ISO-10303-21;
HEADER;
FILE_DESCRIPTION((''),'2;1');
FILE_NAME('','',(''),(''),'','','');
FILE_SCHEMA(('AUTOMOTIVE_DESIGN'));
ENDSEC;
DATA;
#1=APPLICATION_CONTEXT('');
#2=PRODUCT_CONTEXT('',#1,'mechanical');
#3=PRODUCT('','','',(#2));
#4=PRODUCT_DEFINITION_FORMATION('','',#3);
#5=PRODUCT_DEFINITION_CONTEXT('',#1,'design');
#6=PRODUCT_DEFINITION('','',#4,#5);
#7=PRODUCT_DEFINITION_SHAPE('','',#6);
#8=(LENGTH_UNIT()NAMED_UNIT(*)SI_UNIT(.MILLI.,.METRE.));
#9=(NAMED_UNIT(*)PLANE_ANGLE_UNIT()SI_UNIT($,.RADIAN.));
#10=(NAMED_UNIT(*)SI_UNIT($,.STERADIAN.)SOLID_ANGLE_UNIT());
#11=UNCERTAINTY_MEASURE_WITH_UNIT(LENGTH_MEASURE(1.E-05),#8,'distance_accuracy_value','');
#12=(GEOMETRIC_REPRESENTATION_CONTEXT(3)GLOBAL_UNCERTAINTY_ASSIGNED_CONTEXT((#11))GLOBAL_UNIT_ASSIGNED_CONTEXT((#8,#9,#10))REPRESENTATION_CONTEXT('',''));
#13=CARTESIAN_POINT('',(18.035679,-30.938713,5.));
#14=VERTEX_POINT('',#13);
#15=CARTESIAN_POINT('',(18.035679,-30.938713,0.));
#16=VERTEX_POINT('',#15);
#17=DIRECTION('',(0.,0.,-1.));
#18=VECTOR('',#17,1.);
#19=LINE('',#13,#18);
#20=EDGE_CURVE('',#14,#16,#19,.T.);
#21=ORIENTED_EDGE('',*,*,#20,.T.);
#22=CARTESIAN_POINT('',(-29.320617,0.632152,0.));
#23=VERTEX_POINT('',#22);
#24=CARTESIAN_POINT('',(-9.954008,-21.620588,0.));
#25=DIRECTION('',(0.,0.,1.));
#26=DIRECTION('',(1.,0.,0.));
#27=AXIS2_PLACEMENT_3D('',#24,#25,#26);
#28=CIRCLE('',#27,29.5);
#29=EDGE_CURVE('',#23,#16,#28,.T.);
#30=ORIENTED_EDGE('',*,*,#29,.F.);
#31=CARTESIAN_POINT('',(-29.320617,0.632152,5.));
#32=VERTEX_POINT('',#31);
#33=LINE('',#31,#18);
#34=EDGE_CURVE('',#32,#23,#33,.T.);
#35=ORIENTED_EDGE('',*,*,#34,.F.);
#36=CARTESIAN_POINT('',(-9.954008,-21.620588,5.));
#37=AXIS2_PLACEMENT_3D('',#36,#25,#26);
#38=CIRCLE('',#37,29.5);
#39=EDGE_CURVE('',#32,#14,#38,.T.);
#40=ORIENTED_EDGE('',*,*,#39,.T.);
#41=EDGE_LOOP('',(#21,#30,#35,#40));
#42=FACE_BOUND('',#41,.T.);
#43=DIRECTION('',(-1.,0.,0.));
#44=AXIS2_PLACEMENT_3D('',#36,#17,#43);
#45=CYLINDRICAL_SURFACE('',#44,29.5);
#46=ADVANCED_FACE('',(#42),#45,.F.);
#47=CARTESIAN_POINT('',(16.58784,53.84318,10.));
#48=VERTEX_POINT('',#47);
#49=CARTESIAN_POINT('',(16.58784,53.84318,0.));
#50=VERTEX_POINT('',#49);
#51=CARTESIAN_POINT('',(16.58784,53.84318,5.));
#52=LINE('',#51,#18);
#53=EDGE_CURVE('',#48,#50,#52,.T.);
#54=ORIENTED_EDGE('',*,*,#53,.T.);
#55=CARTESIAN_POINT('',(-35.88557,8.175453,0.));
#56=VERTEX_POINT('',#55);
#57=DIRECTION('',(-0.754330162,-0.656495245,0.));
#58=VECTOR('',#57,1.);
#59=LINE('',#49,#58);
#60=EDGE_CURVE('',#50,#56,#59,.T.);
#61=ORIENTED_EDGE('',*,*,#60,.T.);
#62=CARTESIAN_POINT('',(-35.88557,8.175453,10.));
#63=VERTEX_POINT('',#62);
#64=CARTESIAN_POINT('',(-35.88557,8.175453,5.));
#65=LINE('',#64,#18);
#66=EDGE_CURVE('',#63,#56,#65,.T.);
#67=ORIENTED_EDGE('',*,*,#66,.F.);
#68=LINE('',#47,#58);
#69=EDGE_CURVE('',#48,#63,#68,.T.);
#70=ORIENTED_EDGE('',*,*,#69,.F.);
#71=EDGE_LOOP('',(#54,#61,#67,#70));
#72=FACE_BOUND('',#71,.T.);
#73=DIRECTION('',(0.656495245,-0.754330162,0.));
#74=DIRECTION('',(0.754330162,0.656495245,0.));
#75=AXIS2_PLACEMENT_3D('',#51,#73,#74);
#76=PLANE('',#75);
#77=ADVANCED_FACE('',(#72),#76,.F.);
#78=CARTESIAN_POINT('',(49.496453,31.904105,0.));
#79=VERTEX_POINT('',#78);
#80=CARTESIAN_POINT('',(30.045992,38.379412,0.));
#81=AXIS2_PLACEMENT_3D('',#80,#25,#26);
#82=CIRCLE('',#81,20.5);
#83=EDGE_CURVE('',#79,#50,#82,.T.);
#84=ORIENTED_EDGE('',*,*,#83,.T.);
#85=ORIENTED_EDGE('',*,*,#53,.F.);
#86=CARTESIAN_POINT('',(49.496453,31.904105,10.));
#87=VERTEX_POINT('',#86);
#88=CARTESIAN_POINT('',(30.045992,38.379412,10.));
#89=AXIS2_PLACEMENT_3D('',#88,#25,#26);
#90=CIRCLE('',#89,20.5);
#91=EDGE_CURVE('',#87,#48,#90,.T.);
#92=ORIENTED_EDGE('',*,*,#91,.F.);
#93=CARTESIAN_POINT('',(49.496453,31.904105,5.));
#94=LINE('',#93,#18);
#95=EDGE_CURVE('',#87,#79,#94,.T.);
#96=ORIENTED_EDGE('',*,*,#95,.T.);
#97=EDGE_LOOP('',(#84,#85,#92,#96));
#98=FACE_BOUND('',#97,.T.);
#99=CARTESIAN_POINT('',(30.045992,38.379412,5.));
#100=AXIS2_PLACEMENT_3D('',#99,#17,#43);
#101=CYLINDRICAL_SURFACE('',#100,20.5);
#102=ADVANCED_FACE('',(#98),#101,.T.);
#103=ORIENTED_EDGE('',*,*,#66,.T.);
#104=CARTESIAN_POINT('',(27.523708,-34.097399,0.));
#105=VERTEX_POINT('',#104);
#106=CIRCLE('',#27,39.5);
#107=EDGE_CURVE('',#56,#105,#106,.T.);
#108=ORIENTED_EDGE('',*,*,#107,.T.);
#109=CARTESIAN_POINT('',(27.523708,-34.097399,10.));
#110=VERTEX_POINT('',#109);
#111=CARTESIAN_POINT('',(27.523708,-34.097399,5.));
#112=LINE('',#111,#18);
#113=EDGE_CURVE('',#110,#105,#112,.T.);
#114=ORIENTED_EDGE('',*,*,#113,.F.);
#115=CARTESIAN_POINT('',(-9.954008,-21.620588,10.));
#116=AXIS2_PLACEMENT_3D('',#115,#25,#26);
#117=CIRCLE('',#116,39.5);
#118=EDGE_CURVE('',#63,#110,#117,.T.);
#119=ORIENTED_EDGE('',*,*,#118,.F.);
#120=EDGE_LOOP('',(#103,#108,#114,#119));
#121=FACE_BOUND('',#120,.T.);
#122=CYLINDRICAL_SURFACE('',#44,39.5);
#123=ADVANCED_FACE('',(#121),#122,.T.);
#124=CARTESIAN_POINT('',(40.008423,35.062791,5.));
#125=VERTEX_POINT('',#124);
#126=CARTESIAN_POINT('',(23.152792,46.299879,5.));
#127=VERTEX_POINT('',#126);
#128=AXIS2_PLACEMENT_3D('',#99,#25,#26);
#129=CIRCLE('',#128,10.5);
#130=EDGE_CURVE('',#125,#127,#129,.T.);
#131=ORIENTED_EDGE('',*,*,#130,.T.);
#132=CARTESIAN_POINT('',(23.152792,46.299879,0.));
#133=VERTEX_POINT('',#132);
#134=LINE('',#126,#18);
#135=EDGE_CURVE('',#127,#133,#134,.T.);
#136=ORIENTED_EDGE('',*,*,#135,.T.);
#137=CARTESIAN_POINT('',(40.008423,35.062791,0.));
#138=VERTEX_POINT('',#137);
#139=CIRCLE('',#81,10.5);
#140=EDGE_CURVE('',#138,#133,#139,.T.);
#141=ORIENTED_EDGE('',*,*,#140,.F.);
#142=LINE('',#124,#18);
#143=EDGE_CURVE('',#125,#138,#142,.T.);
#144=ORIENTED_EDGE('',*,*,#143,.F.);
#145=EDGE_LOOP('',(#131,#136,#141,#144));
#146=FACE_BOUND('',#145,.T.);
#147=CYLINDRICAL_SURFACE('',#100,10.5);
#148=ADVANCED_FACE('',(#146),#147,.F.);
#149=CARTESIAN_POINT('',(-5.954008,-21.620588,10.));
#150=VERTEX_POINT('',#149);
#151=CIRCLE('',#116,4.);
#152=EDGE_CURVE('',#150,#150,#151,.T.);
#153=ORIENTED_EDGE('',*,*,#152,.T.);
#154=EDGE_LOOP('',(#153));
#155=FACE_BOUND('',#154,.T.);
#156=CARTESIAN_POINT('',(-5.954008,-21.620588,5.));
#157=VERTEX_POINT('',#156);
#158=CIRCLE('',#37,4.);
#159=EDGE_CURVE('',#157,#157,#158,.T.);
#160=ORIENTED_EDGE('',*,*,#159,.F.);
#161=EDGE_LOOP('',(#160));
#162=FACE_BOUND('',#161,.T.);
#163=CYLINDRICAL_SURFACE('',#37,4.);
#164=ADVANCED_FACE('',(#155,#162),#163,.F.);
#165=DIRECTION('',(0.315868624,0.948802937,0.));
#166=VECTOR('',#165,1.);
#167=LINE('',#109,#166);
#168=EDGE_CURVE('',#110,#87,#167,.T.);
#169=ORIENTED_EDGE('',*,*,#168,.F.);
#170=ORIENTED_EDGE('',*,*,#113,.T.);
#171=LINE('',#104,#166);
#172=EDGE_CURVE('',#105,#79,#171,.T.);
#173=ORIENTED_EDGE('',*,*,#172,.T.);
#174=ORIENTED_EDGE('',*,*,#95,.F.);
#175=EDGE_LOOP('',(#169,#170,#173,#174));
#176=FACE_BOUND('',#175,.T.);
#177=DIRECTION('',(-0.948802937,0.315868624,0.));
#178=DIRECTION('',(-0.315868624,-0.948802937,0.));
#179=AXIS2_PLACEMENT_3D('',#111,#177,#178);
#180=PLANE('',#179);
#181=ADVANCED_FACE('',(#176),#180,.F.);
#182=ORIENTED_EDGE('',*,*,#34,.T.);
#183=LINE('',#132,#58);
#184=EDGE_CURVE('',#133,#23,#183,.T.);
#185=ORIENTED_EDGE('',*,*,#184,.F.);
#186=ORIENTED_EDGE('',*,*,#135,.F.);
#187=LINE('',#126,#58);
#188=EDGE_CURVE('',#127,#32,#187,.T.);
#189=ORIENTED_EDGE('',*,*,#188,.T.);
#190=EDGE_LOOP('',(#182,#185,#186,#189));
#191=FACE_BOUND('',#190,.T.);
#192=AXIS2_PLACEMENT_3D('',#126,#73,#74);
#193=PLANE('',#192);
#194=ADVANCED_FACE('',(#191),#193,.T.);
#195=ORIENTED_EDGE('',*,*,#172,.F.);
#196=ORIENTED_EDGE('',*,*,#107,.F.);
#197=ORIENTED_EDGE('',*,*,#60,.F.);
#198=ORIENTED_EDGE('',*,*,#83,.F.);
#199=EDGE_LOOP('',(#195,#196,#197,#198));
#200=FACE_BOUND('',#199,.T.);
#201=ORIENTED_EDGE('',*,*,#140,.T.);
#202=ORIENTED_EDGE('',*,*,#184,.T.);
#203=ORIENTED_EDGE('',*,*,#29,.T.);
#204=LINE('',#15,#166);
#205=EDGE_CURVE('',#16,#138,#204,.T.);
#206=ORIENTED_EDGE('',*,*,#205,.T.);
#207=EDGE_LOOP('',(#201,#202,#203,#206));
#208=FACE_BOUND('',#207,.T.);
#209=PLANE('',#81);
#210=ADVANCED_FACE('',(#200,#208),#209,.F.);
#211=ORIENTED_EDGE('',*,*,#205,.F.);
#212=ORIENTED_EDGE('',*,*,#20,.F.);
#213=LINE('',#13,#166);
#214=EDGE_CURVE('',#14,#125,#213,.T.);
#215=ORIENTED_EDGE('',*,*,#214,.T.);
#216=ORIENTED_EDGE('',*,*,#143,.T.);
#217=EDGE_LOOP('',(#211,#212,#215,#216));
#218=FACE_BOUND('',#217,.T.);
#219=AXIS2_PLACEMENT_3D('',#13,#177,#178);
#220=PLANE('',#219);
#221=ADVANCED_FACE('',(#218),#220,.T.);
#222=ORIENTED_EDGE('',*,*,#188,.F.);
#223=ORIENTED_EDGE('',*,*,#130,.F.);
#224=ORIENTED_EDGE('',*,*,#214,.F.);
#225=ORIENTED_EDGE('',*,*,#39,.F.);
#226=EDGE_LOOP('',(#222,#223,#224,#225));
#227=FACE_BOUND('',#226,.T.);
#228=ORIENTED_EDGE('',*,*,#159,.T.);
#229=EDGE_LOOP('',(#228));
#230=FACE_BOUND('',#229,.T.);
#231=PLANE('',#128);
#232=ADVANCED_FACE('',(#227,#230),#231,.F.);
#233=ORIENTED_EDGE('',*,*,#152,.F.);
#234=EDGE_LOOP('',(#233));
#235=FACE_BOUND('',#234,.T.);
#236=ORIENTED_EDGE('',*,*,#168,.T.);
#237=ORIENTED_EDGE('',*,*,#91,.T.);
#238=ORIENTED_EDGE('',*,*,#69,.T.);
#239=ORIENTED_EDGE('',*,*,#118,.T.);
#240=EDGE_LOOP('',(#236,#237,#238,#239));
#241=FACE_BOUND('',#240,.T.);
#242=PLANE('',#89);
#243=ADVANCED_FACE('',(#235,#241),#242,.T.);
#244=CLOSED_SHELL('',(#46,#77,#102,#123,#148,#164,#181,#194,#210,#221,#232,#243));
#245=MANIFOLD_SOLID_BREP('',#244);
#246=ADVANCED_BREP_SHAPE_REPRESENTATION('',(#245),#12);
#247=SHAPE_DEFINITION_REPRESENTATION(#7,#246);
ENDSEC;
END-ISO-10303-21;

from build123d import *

# Parameters (mm, degrees)
BOSS_EXTRU_1_DEPTH      = 5
BOSS_EXTRU_2_DEPTH      = 5
ESQUISSE3_R             = 4
ENL_V_MAT_EXTRU_1_DEPTH = 5


with BuildPart() as part:
    # Esquisse1 → Boss.-Extru.1 (new body)
    with BuildSketch(Plane.XY):
        with BuildLine():
            Line((16.587839799, 53.843180126), (-35.88556985, 8.175453138))
            ThreePointArc((-35.88556985, 8.175453138), (-31.864665417, -54.486574909), (27.523708309, -34.097398918))
            Line((27.523708309, -34.097398918), (49.496452515, 31.904105008))
            ThreePointArc((49.496452515, 31.904105008), (41.417346329, 55.43644284), (16.587839799, 53.843180126))
        make_face()
        with BuildLine():
            Line((23.152792246, 46.299878504), (-29.320617403, 0.632151516))
            ThreePointArc((-29.320617403, 0.632151516), (-26.31766346, -46.166071962), (18.035678944, -30.938712678))
            Line((18.035678944, -30.938712678), (40.008423149, 35.062791248))
            ThreePointArc((40.008423149, 35.062791248), (35.870344371, 47.115939894), (23.152792246, 46.299878504))
        make_face(mode=Mode.SUBTRACT)
    extrude(amount=BOSS_EXTRU_1_DEPTH)

    # Esquisse2 → Boss.-Extru.2 (add)
    with BuildSketch(Plane.XY.offset(5)):
        with BuildLine():
            Line((16.587839799, 53.843180126), (-35.88556985, 8.175453138))
            ThreePointArc((-35.88556985, 8.175453138), (-31.864665417, -54.486574909), (27.523708309, -34.097398918))
            Line((27.523708309, -34.097398918), (49.496452515, 31.904105008))
            ThreePointArc((49.496452515, 31.904105008), (41.417346329, 55.43644284), (16.587839799, 53.843180126))
        make_face()
    extrude(amount=BOSS_EXTRU_2_DEPTH)

    # Esquisse3 → Enlèv. mat.-Extru.1 (cut)
    with BuildSketch(Plane.XY.offset(10)):
        with Locations((-9.954007684, -21.62058827)):
            Circle(ESQUISSE3_R)
    extrude(amount=-ENL_V_MAT_EXTRU_1_DEPTH, mode=Mode.SUBTRACT)


solid = part.part
